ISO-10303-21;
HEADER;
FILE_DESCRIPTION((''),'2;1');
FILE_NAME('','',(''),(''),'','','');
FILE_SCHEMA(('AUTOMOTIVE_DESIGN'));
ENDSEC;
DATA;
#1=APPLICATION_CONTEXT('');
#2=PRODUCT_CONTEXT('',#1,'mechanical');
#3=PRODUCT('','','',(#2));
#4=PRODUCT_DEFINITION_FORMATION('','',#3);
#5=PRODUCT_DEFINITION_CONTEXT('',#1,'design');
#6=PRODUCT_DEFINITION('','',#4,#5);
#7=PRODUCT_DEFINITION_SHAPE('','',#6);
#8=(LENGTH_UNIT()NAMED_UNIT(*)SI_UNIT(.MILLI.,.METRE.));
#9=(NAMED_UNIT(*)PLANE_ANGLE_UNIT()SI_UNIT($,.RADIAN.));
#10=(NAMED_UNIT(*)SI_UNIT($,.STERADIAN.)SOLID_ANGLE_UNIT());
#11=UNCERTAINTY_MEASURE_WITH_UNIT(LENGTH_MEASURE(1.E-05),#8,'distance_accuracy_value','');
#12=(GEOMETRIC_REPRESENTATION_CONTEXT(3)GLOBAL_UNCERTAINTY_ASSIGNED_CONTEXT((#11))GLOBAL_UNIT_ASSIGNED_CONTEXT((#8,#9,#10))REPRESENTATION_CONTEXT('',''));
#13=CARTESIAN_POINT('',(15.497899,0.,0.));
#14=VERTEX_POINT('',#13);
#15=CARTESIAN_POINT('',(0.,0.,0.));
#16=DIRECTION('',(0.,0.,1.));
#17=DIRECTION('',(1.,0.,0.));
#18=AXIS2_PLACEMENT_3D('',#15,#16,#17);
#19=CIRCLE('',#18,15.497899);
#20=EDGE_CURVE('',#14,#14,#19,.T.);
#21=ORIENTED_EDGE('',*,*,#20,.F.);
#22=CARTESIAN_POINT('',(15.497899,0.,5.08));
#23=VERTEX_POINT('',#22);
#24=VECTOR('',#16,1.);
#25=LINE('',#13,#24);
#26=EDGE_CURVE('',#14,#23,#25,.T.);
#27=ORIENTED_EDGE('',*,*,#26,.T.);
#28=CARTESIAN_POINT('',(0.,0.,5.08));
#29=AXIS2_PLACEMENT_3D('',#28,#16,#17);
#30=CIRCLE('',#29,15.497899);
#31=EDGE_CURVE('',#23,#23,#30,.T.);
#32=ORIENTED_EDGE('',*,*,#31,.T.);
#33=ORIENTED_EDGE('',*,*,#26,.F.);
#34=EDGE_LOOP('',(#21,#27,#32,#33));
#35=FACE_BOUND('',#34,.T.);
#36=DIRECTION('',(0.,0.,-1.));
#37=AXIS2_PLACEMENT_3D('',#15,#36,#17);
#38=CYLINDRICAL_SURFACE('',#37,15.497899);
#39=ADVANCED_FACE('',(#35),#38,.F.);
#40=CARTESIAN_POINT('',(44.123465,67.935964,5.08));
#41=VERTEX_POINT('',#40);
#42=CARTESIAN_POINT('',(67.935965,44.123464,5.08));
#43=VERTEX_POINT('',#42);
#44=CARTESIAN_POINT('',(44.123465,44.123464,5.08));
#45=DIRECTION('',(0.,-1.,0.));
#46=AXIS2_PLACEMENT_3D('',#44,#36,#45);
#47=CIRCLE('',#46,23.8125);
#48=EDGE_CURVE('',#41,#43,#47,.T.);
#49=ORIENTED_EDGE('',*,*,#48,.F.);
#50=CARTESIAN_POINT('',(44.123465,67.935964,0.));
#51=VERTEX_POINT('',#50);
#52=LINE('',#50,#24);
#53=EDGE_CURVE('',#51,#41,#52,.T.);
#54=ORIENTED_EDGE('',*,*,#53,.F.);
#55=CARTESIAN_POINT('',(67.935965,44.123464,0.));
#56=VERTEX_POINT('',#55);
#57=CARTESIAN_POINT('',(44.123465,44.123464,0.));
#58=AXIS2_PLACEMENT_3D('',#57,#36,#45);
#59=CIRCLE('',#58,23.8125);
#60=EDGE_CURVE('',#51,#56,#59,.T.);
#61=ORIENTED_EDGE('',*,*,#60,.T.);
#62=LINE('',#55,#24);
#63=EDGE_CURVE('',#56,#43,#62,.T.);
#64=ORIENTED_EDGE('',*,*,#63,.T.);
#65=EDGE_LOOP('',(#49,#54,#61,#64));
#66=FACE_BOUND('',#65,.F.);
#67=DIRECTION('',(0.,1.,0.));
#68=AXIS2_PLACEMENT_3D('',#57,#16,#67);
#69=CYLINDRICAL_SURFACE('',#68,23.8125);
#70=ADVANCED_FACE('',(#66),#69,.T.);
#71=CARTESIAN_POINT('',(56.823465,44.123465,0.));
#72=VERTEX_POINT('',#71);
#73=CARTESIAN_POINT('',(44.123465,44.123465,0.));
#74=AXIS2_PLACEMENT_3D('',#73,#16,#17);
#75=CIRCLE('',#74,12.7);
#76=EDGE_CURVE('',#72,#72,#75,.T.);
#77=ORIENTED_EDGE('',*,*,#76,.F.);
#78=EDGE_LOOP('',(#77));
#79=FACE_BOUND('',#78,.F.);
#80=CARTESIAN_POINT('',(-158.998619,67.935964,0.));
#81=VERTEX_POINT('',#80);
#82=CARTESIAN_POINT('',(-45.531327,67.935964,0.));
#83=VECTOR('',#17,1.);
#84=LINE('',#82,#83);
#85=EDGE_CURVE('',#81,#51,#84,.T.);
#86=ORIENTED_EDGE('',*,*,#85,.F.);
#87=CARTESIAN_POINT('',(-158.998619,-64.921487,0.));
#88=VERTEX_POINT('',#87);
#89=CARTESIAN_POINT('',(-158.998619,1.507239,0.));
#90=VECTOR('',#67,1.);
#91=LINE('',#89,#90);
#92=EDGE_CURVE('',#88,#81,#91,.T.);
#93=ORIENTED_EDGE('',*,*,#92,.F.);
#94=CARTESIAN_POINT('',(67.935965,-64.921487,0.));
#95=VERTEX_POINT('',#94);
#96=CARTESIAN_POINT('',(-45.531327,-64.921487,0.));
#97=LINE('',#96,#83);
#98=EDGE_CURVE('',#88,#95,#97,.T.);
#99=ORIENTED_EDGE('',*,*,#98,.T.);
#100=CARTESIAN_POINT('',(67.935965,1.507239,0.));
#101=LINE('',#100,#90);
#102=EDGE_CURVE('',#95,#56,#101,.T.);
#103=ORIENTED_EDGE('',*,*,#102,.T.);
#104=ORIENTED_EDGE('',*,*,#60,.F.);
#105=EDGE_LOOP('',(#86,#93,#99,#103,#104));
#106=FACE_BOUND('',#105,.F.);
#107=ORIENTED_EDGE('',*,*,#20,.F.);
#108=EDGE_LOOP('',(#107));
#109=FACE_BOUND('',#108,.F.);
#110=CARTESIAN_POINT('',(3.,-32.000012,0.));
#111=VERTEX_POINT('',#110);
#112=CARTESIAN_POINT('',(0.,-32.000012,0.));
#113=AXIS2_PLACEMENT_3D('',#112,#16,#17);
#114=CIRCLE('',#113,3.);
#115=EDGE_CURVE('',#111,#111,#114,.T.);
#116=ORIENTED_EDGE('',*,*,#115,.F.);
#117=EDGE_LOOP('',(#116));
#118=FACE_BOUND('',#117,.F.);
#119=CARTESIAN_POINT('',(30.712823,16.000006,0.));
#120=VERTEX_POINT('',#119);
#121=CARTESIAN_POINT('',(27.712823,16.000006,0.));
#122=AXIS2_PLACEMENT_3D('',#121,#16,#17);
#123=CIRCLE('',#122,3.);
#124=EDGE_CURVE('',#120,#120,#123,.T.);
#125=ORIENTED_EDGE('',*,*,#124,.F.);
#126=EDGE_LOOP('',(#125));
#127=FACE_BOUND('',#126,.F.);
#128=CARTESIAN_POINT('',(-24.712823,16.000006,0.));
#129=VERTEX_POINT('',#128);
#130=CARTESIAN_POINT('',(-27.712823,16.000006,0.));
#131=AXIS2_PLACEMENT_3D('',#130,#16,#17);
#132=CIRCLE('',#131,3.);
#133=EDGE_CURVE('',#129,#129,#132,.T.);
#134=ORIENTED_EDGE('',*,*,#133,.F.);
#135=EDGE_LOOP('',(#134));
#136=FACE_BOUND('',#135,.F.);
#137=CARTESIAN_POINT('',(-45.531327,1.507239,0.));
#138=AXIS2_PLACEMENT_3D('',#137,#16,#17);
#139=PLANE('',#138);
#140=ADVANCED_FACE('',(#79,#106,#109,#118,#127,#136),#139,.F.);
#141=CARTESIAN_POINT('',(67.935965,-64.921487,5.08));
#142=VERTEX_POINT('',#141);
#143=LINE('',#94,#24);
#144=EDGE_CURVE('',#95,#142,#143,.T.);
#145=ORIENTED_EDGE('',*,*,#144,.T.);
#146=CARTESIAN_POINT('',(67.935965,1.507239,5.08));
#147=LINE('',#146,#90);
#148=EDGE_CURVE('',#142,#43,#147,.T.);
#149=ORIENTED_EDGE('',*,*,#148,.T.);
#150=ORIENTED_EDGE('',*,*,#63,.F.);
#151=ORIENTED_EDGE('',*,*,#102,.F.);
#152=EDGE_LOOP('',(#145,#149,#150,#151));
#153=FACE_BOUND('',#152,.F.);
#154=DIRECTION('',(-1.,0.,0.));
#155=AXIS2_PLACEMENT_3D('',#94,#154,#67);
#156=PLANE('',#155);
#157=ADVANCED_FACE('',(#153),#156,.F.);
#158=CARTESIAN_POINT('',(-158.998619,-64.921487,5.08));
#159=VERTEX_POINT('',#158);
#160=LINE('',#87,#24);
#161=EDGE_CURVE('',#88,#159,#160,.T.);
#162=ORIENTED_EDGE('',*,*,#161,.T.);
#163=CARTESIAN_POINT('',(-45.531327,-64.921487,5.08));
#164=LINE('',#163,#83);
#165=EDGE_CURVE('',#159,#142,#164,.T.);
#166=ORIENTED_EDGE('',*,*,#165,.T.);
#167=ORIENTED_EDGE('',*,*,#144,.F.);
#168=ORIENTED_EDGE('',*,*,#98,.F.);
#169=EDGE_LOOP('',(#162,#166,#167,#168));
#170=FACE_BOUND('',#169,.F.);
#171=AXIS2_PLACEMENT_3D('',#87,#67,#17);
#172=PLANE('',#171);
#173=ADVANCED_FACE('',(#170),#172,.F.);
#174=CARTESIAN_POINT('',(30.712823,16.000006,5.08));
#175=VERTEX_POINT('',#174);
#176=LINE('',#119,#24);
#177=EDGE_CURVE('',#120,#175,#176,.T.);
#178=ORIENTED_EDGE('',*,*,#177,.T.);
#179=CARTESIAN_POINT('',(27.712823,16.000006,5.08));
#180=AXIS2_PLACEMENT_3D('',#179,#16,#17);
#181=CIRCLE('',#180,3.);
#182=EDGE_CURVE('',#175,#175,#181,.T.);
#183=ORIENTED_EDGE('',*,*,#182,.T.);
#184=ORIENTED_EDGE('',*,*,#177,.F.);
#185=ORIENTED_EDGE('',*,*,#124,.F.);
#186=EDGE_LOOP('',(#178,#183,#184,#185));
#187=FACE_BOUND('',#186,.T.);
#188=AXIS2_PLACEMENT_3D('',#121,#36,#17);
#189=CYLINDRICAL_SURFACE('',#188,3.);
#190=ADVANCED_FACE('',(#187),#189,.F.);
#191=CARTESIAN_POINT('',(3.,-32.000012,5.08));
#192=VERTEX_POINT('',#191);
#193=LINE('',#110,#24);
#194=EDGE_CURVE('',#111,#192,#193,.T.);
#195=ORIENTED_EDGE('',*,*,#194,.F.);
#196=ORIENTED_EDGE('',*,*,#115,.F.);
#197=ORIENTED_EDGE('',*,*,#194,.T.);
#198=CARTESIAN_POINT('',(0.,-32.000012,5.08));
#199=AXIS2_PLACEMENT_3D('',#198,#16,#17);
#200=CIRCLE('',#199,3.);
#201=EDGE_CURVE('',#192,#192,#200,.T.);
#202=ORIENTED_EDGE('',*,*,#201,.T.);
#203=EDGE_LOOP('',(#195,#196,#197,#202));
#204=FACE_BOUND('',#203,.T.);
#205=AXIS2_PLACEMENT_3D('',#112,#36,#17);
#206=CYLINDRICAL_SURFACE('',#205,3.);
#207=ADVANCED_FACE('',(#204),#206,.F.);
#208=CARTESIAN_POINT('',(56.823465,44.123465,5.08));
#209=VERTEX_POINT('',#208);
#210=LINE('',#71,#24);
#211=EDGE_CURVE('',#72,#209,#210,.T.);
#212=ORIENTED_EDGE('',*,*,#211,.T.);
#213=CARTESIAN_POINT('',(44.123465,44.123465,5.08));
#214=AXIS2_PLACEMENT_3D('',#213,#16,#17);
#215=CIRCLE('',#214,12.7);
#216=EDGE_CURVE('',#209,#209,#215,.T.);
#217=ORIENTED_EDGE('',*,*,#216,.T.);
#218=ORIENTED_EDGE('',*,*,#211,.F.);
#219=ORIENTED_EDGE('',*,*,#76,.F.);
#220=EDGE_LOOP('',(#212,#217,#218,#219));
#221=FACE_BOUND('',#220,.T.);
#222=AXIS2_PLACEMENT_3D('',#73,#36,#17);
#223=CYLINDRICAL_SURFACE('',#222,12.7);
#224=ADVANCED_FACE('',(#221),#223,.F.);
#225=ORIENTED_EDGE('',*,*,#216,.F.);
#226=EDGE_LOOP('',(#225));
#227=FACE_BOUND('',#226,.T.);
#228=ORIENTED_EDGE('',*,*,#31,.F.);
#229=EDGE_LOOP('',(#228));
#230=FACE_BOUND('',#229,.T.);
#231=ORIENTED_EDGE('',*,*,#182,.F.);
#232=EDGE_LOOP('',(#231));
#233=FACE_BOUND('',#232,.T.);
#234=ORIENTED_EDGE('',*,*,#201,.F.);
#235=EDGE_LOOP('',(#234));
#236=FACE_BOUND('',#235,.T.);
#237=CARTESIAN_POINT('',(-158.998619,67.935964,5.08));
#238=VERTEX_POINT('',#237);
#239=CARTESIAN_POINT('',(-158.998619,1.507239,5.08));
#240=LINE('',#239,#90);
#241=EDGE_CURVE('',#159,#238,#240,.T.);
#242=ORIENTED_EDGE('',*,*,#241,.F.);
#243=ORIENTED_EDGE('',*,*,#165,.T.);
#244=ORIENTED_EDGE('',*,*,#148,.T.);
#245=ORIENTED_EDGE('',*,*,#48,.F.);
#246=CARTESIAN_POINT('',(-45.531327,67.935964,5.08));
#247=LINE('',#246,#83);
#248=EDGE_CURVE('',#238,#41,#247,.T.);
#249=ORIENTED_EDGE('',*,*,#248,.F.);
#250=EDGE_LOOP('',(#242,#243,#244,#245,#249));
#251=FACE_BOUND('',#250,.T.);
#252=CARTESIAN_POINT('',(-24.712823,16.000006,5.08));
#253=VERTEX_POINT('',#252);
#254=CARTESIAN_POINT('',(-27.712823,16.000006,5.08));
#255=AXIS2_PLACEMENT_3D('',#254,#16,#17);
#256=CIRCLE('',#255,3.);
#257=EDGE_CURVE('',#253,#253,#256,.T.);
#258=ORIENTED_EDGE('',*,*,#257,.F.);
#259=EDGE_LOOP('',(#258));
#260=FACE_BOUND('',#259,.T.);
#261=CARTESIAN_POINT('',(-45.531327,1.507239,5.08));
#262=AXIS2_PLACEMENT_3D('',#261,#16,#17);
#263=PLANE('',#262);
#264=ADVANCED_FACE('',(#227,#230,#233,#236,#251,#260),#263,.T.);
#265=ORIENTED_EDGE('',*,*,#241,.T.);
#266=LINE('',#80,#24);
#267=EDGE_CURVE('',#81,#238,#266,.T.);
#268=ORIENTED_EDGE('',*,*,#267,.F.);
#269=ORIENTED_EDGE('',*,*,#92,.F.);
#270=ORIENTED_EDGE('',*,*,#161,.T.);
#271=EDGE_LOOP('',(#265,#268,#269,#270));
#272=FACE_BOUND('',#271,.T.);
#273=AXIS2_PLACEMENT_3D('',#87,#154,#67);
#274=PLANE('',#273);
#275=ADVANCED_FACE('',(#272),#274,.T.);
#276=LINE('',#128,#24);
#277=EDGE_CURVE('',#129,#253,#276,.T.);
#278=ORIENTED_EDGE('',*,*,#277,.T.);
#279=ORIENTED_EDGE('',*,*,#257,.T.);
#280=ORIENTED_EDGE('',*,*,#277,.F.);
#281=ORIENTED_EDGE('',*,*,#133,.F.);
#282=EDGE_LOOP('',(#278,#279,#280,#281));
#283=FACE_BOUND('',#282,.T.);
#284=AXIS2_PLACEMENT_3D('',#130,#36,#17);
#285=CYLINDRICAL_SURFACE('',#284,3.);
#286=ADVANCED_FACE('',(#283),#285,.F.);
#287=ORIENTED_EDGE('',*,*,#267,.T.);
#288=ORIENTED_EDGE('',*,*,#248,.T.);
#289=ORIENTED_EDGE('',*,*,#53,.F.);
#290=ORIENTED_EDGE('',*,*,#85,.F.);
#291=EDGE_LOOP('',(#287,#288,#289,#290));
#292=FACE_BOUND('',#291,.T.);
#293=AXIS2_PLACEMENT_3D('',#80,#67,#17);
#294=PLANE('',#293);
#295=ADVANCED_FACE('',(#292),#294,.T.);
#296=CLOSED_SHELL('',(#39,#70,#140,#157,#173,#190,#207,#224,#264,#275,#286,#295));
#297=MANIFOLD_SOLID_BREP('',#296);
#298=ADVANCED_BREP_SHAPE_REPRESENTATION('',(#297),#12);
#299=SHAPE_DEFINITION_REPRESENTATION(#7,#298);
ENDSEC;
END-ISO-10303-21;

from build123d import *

# Parameters (mm, degrees)
F0_W     = 226.934584
F0_H     = 132.857451
F0_R     = 3
F0_R_2   = 15.497899
F0_R_3   = 12.7
F1_DEPTH = 5.08
F2_R     = 23.8125


with BuildPart() as f1:
    # F0 (on Top) → F1 (new body)
    with BuildSketch(Plane.XY):
        with Locations((-45.531327, 1.507239)):
            Rectangle(F0_W, F0_H)
        with Locations((0, -32.000012)):
            Circle(F0_R, mode=Mode.SUBTRACT)
        Circle(F0_R_2, mode=Mode.SUBTRACT)
        with Locations((-27.712823, 16.000006)):
            Circle(F0_R, mode=Mode.SUBTRACT)
        with Locations((27.712823, 16.000006)):
            Circle(F0_R, mode=Mode.SUBTRACT)
        with Locations((44.123465, 44.123465)):
            Circle(F0_R_3, mode=Mode.SUBTRACT)
    extrude(amount=F1_DEPTH)

    # F2
    f2_edges = [f1.edges().sort_by_distance(p)[0] for p in [
        (67.935965, 67.935965, 2.54),
    ]]
    fillet(f2_edges, radius=F2_R)


solid = f1.part
